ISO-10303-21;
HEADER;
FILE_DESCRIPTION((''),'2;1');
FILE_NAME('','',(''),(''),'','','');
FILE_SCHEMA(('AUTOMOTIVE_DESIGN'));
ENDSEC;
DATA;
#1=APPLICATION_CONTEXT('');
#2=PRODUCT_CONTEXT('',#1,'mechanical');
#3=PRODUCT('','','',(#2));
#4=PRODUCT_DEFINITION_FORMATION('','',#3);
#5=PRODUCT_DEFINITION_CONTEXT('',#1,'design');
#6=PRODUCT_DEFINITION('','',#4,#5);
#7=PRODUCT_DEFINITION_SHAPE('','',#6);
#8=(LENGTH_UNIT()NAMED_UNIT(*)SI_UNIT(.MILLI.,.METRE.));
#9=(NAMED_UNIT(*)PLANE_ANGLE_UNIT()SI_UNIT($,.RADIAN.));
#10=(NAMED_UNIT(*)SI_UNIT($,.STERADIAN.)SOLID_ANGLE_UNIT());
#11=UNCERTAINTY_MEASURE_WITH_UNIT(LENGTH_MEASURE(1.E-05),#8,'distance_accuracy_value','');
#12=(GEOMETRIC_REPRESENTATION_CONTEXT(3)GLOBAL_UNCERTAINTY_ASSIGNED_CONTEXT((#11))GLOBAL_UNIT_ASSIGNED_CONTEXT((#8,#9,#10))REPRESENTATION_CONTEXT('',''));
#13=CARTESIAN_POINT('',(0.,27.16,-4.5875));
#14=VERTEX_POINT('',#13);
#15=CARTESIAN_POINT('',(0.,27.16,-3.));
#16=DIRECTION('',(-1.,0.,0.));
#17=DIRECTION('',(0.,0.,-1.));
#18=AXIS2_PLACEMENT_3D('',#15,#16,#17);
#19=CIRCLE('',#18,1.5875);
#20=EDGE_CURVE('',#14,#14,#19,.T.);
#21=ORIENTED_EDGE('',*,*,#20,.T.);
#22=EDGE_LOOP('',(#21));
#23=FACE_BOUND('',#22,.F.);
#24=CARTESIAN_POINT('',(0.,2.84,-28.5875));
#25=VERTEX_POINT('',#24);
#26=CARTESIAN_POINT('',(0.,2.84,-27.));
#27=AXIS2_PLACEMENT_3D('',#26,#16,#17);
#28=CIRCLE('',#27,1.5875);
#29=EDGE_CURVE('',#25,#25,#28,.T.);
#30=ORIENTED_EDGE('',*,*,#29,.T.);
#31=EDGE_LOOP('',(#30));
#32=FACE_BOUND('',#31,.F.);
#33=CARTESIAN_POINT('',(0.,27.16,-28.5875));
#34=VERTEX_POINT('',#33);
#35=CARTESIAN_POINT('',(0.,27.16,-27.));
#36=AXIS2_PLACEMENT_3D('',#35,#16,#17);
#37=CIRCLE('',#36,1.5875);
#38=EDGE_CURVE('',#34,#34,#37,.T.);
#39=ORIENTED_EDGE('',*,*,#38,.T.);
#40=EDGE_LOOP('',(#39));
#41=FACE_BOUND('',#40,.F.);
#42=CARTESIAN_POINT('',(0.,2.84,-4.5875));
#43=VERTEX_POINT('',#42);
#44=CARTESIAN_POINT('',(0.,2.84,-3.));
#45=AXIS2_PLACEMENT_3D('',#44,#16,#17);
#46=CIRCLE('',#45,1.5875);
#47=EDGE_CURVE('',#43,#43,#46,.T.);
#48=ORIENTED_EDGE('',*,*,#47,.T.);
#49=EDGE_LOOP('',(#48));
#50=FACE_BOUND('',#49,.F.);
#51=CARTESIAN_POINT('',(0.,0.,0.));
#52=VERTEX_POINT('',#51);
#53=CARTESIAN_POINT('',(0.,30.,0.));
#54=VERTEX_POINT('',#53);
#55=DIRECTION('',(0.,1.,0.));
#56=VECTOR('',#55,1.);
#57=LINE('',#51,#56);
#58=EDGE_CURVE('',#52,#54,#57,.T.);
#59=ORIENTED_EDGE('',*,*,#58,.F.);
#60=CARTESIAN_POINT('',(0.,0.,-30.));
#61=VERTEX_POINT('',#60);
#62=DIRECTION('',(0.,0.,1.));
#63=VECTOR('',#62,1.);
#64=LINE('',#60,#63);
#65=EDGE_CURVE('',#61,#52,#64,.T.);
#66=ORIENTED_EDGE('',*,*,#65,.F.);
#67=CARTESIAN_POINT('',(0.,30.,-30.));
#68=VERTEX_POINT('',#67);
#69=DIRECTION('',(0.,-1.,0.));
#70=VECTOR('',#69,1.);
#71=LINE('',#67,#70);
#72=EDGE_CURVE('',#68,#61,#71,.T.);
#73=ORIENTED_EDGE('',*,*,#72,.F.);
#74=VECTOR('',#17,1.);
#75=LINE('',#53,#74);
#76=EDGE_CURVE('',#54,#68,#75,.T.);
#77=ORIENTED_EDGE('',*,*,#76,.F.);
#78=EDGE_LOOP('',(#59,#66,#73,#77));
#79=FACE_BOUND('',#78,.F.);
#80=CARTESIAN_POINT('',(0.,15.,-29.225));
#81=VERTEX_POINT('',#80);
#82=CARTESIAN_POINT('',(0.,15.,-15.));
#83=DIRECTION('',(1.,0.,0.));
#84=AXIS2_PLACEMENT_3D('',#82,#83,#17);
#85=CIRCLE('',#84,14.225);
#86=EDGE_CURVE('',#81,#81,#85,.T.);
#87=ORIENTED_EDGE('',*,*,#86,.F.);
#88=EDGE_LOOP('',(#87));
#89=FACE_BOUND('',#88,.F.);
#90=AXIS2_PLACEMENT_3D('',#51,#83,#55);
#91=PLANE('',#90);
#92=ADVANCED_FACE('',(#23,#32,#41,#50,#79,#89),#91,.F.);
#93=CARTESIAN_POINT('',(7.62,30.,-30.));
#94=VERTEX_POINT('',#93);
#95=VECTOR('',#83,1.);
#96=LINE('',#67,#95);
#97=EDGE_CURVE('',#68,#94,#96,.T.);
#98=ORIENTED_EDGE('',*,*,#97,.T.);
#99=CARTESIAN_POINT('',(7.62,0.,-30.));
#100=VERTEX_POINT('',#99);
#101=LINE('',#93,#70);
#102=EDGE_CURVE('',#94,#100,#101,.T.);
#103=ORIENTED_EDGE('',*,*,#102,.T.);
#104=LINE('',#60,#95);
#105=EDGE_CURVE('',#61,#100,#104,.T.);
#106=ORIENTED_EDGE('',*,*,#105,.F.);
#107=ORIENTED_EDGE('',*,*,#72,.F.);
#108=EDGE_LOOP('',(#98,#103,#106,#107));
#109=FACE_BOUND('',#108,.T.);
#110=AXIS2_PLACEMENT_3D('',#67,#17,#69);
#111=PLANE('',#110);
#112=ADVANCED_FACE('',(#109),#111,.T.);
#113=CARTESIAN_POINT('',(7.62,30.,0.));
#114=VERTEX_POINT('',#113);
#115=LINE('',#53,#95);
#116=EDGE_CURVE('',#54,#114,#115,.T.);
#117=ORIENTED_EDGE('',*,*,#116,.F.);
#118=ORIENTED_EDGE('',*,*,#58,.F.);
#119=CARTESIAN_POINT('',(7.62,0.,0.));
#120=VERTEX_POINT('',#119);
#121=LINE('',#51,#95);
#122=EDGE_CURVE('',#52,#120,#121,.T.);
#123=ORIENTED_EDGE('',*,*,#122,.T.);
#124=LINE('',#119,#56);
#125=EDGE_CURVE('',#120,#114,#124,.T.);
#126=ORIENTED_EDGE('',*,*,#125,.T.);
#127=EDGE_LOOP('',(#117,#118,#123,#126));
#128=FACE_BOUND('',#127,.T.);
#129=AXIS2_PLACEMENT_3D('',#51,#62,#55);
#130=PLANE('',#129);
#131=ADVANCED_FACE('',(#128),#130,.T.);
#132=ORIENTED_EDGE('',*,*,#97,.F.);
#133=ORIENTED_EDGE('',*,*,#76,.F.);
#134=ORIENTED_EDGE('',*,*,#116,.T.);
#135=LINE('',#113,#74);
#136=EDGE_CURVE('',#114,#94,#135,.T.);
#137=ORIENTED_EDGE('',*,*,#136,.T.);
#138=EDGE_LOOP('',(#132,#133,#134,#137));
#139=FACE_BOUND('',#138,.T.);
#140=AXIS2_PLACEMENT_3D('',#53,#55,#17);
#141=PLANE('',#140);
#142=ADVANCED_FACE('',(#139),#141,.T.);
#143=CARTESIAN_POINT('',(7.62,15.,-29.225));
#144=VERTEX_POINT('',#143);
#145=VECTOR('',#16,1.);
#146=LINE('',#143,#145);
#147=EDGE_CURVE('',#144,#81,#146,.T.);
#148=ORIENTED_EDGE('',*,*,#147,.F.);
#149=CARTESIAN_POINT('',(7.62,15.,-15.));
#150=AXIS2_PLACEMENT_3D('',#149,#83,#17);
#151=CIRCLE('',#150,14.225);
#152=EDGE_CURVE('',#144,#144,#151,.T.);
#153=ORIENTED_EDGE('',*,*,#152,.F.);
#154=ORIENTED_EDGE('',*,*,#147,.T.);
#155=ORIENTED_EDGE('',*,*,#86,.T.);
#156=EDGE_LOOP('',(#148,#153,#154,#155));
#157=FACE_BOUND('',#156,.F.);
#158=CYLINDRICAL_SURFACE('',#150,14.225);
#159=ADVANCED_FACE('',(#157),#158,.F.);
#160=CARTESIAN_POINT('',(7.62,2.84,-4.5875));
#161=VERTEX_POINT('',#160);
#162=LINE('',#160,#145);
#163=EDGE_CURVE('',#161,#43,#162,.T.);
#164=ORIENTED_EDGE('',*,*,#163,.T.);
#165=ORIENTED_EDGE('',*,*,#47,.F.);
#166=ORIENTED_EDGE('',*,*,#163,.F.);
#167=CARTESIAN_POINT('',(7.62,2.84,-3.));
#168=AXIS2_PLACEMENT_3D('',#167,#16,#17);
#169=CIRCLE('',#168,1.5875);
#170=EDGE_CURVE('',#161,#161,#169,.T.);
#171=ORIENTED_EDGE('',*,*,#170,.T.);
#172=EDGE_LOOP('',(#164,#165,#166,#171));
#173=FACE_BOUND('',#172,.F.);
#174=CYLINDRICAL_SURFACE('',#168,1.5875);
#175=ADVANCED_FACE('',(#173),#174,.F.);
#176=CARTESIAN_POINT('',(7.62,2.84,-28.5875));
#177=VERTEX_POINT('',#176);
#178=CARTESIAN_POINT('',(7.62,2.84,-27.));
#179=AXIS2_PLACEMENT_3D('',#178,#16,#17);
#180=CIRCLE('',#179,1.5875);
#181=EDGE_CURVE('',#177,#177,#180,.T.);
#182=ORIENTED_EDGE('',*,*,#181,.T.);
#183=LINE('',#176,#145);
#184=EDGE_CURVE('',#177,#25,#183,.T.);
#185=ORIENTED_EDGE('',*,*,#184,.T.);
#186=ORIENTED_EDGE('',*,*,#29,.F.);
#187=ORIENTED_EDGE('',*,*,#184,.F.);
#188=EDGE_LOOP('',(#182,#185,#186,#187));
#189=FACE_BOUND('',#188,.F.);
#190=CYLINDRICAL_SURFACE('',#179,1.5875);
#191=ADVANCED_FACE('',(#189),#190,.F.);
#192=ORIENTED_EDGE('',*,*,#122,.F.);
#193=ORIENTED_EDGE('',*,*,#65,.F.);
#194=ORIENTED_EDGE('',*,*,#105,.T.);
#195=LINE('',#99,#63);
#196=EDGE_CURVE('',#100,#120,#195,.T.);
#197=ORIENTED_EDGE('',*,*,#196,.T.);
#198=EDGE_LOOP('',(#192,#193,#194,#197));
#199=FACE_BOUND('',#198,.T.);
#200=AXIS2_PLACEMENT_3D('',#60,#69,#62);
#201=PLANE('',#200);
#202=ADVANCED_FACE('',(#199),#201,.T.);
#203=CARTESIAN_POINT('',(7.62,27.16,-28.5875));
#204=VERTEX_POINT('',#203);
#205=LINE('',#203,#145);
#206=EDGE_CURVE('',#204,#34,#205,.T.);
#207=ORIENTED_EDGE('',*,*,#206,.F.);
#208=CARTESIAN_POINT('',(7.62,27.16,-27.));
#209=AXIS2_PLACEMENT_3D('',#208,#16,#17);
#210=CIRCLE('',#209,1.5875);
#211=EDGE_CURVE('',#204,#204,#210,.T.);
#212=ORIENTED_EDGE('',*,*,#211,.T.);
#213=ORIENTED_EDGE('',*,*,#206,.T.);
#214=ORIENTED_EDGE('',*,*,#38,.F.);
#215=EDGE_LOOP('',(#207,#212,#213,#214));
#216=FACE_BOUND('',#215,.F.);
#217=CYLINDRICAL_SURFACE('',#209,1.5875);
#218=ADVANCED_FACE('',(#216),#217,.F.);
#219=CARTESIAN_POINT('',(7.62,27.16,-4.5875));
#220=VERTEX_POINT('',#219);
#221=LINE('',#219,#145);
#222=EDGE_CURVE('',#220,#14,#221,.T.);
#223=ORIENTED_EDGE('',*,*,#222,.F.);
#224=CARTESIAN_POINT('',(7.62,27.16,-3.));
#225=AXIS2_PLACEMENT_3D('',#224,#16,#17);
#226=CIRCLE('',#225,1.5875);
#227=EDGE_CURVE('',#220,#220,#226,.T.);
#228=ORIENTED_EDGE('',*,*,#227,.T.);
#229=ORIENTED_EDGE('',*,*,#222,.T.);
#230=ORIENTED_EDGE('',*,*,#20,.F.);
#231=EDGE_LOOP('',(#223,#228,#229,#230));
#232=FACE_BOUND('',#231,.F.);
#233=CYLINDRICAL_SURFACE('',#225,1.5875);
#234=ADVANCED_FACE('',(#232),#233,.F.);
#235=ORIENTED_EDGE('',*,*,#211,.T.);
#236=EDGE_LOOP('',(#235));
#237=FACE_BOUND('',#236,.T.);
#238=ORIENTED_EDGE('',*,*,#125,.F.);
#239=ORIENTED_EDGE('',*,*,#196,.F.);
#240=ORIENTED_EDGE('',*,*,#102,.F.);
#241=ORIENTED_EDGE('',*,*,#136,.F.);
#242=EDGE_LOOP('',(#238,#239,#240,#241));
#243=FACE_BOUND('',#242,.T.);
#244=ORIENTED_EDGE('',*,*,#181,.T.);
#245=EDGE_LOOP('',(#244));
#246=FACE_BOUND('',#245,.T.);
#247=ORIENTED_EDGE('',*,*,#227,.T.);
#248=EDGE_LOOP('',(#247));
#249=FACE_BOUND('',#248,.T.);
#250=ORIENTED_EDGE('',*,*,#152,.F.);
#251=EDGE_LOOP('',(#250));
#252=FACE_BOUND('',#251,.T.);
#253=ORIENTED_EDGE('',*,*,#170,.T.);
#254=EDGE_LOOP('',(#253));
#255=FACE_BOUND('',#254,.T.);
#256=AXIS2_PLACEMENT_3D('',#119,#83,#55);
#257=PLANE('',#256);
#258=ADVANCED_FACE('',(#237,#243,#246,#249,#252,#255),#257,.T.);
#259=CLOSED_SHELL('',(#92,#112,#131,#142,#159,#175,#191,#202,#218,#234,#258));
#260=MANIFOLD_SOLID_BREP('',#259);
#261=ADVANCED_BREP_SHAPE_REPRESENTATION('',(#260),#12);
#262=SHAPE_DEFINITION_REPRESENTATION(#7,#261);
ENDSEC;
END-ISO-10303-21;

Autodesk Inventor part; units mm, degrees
ref_plane "YZ Plane" through (0, 0, 0) normal (1, 0, 0) x (0, 1, 0)
ref_plane "XZ Plane" through (0, 0, 0) normal (0, 1, 0) x (-1, 0, 0)
ref_plane "XY Plane" through (0, 0, 0) normal (0, 0, 1) x (1, 0, 0)
sketch "Sketch1" plane through (0, 0, 0) normal (1, 0, 0) x (0, 1, 0)
  line L0 (0, 0) -> (30, 0)
  line L1 (30, 0) -> (30, -30)
  line L2 (30, -30) -> (0, -30)
  line L3 (0, -30) -> (0, 0)
  dimension "d0" = 30
  dimension "d1" = 30
extrude "Extrusion1" add sketch "Sketch1" along normal blind 7.62
sketch "Sketch2" plane through (7.62, 0, 0) normal (1, 0, 0) x (0, 0, -1)
  line L0 (0, 30) -> (0, 0) projected
  line L1 (0, 0) -> (30, 0) projected
  line L2 (30, 0) -> (30, 30) projected
  line L3 (30, 30) -> (0, 30) projected
  line L4 (15, 30) -> (15, 0) construction
  line L5 (0, 15) -> (30, 15) construction
  circle A0 centre (15, 15) radius 14.225
  dimension "d4" = 28.45
extrude "Extrusion2" cut sketch "Sketch2" against normal blind 7.62 contours A0
sketch "Sketch3" plane through (7.62, 0, 0) normal (1, 0, 0) x (0, 0, -1)
  line L0 (0, 30) -> (30, 30) construction
  line L1 (15, 30) -> (15, 0) construction
  line L2 (30, 0) -> (0, 0) construction
  line L3 (0, 0) -> (0, 30) construction
  line L4 (0, 15) -> (29.023, 15) construction
  point P0 (3, 2.84)
  point P1 (3, 27.16)
  point P2 (27, 2.84)
  point P3 (27, 27.16)
  dimension "d15" = 2.84
hole "Hole1" at (7.62, 2.84, -3) at (7.62, 27.16, -3) at (7.62, 27.16, -27) at (7.62, 2.84, -27) direction (-1, 0, 0) diameter 3.175 end through all
properties part number "Pi Fan" material "PPS Plastic"
